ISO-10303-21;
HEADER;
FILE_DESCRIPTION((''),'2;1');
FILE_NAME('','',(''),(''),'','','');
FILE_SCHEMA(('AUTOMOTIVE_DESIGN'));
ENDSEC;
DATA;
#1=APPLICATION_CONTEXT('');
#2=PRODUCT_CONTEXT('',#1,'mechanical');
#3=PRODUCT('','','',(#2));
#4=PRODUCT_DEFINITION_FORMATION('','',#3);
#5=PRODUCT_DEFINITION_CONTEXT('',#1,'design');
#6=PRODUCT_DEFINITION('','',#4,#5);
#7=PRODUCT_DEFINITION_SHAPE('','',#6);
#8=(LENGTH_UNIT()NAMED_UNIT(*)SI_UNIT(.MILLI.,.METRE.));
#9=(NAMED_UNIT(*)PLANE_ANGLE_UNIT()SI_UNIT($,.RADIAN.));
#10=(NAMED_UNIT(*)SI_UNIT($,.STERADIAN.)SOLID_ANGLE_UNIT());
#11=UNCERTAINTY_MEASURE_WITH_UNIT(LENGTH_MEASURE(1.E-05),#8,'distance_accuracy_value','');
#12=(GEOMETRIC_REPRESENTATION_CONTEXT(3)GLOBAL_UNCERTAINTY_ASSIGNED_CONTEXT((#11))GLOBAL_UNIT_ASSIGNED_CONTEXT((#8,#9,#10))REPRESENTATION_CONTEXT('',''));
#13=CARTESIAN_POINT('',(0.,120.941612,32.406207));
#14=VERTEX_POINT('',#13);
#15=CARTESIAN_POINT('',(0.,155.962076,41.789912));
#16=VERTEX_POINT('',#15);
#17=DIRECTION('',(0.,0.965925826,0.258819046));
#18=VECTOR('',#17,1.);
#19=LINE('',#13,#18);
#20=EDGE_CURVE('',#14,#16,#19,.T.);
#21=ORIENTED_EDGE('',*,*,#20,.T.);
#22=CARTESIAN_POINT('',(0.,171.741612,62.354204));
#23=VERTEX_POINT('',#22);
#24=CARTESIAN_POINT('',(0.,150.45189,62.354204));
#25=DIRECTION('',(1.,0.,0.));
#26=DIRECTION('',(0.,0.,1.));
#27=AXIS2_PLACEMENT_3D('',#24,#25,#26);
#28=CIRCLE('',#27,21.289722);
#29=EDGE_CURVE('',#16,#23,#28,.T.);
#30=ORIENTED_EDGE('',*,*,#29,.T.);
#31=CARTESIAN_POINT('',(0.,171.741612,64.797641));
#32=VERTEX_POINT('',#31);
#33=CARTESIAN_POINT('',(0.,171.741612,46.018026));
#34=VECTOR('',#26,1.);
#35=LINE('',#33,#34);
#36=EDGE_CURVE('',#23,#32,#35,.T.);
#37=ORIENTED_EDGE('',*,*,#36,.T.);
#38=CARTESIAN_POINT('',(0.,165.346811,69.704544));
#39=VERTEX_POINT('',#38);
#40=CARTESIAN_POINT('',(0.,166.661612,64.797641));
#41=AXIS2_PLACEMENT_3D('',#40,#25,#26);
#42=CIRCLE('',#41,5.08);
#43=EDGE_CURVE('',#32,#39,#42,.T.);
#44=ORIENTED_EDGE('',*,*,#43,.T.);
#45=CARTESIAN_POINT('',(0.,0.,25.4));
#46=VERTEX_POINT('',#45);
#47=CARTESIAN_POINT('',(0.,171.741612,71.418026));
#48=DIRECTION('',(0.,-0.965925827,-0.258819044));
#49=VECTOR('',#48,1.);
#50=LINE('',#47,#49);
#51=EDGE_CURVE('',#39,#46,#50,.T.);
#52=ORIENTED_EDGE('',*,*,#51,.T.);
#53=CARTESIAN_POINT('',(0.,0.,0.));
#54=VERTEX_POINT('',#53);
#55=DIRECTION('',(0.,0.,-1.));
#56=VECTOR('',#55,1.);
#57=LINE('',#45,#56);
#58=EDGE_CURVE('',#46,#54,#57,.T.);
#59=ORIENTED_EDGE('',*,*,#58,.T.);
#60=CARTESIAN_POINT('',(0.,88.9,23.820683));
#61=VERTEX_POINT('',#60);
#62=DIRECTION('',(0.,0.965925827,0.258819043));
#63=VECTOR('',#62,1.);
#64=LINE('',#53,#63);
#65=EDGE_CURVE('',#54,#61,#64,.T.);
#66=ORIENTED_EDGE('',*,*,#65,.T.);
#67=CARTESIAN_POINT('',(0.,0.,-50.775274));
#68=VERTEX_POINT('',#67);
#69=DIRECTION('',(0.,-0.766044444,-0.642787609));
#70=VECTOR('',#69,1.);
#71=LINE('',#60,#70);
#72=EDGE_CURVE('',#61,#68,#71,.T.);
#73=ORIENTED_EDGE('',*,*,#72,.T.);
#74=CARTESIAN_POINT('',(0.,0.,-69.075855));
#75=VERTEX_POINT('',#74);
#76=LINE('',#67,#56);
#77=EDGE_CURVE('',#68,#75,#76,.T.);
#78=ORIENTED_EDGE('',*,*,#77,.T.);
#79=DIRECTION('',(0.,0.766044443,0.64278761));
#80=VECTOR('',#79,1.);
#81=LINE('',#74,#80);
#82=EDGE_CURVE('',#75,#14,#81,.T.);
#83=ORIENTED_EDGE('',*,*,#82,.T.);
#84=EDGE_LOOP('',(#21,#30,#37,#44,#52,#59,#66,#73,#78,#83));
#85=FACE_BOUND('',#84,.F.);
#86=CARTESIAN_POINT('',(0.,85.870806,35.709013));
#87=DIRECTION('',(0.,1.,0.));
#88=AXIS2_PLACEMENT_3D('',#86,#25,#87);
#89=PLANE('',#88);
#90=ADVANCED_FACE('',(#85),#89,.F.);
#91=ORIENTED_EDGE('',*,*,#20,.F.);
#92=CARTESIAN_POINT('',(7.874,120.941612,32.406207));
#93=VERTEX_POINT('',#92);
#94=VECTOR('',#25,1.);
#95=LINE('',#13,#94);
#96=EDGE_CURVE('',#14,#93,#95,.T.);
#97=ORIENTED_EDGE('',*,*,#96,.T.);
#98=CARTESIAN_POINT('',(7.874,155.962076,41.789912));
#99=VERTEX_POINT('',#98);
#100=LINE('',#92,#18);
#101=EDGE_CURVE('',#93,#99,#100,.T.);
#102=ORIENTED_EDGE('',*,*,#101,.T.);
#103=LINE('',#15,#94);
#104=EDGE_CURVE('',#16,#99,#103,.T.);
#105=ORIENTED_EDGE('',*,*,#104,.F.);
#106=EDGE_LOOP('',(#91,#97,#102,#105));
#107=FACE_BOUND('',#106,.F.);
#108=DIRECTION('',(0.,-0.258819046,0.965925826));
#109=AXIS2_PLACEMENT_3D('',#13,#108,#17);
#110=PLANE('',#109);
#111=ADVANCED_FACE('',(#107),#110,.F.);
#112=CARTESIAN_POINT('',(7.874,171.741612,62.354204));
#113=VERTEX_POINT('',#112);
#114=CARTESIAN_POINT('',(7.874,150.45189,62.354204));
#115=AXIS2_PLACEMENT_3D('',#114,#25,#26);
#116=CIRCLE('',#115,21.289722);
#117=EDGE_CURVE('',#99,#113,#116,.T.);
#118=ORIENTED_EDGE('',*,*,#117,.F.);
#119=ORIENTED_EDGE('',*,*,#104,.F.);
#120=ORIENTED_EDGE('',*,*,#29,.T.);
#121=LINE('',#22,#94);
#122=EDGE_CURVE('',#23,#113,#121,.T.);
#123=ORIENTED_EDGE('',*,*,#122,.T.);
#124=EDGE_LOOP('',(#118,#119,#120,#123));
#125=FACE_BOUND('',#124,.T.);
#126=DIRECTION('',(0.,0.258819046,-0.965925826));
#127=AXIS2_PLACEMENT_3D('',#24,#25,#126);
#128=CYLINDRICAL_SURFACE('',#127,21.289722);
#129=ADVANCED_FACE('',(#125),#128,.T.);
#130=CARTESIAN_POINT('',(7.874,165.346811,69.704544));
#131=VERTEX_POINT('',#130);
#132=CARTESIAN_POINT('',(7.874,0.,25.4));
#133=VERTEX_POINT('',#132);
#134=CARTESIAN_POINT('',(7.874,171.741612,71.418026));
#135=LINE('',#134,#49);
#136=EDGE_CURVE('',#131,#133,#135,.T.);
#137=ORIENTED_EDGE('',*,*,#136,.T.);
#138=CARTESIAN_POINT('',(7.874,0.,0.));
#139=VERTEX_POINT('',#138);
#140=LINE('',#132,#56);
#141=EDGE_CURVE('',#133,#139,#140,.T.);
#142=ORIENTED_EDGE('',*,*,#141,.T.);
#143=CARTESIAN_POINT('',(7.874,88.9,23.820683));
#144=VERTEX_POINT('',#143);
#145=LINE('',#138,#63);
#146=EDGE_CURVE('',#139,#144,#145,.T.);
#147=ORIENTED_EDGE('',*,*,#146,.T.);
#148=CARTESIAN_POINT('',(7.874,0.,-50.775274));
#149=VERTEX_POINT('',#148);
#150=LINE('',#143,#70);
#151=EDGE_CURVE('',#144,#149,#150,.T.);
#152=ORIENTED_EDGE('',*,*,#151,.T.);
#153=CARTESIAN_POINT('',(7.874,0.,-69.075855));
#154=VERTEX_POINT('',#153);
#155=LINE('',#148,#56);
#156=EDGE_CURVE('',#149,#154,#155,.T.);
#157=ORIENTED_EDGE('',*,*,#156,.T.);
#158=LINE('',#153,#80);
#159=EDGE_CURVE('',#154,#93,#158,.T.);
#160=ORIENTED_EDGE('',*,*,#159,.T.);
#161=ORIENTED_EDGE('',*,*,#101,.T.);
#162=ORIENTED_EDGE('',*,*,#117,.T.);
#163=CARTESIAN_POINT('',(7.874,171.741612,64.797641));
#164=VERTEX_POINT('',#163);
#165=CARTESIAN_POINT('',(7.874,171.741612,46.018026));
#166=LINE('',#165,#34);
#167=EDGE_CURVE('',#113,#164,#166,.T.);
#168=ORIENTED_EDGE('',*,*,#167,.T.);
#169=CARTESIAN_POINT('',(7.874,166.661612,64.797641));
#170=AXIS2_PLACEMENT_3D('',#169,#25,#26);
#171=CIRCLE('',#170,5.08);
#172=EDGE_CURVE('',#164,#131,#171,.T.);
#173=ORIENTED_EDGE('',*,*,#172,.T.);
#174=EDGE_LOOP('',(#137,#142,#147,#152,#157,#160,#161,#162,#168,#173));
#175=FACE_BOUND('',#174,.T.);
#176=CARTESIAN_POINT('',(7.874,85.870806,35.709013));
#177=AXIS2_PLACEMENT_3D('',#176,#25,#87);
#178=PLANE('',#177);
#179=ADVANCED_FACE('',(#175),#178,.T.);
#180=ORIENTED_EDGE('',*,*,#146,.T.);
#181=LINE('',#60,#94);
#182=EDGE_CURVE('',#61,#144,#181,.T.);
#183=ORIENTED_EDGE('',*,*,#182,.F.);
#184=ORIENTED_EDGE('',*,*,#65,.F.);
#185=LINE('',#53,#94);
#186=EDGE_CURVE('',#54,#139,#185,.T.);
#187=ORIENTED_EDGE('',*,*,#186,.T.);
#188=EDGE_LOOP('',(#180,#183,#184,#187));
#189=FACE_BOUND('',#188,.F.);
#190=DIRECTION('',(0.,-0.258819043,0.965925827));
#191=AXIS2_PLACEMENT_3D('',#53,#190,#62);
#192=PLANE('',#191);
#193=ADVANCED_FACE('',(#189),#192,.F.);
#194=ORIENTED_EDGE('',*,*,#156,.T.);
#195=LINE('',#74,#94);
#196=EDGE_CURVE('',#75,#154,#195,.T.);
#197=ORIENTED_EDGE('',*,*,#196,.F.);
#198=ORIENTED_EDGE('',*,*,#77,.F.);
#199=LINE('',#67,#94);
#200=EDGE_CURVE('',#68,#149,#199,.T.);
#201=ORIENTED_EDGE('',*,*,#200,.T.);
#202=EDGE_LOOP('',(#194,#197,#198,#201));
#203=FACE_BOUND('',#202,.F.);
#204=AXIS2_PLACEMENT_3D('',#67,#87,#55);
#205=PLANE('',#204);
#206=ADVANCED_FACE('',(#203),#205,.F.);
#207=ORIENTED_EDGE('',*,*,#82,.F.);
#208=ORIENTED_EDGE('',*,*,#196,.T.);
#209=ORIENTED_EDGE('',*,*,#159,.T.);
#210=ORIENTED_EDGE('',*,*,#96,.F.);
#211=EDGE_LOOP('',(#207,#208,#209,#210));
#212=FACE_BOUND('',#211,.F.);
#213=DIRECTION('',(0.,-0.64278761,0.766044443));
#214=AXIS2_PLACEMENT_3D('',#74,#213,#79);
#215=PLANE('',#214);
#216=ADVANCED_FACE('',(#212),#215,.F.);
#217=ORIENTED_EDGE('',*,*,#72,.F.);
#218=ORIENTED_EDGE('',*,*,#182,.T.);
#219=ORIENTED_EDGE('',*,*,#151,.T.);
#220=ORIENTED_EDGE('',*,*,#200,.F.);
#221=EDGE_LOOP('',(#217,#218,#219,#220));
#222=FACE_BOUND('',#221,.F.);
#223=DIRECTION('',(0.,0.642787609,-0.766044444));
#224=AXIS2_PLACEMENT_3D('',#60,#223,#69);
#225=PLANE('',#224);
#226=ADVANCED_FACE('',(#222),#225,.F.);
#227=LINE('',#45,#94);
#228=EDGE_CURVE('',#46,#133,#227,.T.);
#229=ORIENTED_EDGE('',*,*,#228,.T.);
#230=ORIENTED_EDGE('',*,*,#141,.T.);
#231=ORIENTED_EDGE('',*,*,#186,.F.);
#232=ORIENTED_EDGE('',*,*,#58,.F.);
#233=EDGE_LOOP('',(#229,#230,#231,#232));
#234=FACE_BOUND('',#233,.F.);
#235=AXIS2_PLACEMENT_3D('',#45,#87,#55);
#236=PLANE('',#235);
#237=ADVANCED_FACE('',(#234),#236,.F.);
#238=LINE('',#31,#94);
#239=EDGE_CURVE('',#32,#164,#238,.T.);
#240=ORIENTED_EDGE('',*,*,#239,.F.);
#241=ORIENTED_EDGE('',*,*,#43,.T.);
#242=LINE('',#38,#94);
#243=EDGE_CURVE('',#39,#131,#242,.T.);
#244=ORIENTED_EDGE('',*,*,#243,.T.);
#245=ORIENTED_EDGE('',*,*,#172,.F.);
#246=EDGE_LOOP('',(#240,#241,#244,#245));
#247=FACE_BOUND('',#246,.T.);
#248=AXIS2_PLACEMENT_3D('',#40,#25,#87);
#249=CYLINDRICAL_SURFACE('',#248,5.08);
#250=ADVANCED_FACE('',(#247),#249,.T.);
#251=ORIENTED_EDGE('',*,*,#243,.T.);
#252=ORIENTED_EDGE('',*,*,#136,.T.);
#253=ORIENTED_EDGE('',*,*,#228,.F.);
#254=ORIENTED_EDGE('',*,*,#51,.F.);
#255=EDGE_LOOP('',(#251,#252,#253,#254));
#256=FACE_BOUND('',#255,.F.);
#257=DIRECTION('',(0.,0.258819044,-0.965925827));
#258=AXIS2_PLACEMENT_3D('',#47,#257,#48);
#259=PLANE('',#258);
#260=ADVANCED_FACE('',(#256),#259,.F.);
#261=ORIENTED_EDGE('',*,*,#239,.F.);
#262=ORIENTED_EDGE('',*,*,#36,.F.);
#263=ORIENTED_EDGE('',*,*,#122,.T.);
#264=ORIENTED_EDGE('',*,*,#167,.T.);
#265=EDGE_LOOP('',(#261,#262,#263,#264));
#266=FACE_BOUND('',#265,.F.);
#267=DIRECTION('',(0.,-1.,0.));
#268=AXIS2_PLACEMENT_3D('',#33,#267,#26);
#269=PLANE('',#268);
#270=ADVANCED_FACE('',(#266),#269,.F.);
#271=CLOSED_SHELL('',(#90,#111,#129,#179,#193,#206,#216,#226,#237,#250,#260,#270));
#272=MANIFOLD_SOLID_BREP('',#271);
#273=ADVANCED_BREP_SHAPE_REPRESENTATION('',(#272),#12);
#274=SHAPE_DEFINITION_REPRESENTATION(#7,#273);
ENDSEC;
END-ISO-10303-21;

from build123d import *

# Parameters (mm, degrees)
F1_DEPTH = 7.874
F2_R     = 21.289722
F3_R     = 5.08


with BuildPart() as f1:
    # F0 (on Right) → F1 (new body)
    with BuildSketch(Plane.YZ):
        Polygon((0, 25.4), (0, 0), (88.9, 23.820683), (120.941612, 32.406207), (171.741612, 46.018026), (171.741612, 71.418026), align=None)
        Polygon((120.941612, 32.406207), (88.9, 23.820683), (0, -50.775274), (0, -69.075855), align=None)
    extrude(amount=F1_DEPTH)

    # F2
    f2_edges = [f1.edges().sort_by_distance(p)[0] for p in [
        (3.937, 171.741612, 46.018026),
    ]]
    fillet(f2_edges, radius=F2_R)

    # F3
    f3_edges = [f1.edges().sort_by_distance(p)[0] for p in [
        (3.937, 171.741612, 71.418026),
    ]]
    fillet(f3_edges, radius=F3_R)


solid = f1.part
